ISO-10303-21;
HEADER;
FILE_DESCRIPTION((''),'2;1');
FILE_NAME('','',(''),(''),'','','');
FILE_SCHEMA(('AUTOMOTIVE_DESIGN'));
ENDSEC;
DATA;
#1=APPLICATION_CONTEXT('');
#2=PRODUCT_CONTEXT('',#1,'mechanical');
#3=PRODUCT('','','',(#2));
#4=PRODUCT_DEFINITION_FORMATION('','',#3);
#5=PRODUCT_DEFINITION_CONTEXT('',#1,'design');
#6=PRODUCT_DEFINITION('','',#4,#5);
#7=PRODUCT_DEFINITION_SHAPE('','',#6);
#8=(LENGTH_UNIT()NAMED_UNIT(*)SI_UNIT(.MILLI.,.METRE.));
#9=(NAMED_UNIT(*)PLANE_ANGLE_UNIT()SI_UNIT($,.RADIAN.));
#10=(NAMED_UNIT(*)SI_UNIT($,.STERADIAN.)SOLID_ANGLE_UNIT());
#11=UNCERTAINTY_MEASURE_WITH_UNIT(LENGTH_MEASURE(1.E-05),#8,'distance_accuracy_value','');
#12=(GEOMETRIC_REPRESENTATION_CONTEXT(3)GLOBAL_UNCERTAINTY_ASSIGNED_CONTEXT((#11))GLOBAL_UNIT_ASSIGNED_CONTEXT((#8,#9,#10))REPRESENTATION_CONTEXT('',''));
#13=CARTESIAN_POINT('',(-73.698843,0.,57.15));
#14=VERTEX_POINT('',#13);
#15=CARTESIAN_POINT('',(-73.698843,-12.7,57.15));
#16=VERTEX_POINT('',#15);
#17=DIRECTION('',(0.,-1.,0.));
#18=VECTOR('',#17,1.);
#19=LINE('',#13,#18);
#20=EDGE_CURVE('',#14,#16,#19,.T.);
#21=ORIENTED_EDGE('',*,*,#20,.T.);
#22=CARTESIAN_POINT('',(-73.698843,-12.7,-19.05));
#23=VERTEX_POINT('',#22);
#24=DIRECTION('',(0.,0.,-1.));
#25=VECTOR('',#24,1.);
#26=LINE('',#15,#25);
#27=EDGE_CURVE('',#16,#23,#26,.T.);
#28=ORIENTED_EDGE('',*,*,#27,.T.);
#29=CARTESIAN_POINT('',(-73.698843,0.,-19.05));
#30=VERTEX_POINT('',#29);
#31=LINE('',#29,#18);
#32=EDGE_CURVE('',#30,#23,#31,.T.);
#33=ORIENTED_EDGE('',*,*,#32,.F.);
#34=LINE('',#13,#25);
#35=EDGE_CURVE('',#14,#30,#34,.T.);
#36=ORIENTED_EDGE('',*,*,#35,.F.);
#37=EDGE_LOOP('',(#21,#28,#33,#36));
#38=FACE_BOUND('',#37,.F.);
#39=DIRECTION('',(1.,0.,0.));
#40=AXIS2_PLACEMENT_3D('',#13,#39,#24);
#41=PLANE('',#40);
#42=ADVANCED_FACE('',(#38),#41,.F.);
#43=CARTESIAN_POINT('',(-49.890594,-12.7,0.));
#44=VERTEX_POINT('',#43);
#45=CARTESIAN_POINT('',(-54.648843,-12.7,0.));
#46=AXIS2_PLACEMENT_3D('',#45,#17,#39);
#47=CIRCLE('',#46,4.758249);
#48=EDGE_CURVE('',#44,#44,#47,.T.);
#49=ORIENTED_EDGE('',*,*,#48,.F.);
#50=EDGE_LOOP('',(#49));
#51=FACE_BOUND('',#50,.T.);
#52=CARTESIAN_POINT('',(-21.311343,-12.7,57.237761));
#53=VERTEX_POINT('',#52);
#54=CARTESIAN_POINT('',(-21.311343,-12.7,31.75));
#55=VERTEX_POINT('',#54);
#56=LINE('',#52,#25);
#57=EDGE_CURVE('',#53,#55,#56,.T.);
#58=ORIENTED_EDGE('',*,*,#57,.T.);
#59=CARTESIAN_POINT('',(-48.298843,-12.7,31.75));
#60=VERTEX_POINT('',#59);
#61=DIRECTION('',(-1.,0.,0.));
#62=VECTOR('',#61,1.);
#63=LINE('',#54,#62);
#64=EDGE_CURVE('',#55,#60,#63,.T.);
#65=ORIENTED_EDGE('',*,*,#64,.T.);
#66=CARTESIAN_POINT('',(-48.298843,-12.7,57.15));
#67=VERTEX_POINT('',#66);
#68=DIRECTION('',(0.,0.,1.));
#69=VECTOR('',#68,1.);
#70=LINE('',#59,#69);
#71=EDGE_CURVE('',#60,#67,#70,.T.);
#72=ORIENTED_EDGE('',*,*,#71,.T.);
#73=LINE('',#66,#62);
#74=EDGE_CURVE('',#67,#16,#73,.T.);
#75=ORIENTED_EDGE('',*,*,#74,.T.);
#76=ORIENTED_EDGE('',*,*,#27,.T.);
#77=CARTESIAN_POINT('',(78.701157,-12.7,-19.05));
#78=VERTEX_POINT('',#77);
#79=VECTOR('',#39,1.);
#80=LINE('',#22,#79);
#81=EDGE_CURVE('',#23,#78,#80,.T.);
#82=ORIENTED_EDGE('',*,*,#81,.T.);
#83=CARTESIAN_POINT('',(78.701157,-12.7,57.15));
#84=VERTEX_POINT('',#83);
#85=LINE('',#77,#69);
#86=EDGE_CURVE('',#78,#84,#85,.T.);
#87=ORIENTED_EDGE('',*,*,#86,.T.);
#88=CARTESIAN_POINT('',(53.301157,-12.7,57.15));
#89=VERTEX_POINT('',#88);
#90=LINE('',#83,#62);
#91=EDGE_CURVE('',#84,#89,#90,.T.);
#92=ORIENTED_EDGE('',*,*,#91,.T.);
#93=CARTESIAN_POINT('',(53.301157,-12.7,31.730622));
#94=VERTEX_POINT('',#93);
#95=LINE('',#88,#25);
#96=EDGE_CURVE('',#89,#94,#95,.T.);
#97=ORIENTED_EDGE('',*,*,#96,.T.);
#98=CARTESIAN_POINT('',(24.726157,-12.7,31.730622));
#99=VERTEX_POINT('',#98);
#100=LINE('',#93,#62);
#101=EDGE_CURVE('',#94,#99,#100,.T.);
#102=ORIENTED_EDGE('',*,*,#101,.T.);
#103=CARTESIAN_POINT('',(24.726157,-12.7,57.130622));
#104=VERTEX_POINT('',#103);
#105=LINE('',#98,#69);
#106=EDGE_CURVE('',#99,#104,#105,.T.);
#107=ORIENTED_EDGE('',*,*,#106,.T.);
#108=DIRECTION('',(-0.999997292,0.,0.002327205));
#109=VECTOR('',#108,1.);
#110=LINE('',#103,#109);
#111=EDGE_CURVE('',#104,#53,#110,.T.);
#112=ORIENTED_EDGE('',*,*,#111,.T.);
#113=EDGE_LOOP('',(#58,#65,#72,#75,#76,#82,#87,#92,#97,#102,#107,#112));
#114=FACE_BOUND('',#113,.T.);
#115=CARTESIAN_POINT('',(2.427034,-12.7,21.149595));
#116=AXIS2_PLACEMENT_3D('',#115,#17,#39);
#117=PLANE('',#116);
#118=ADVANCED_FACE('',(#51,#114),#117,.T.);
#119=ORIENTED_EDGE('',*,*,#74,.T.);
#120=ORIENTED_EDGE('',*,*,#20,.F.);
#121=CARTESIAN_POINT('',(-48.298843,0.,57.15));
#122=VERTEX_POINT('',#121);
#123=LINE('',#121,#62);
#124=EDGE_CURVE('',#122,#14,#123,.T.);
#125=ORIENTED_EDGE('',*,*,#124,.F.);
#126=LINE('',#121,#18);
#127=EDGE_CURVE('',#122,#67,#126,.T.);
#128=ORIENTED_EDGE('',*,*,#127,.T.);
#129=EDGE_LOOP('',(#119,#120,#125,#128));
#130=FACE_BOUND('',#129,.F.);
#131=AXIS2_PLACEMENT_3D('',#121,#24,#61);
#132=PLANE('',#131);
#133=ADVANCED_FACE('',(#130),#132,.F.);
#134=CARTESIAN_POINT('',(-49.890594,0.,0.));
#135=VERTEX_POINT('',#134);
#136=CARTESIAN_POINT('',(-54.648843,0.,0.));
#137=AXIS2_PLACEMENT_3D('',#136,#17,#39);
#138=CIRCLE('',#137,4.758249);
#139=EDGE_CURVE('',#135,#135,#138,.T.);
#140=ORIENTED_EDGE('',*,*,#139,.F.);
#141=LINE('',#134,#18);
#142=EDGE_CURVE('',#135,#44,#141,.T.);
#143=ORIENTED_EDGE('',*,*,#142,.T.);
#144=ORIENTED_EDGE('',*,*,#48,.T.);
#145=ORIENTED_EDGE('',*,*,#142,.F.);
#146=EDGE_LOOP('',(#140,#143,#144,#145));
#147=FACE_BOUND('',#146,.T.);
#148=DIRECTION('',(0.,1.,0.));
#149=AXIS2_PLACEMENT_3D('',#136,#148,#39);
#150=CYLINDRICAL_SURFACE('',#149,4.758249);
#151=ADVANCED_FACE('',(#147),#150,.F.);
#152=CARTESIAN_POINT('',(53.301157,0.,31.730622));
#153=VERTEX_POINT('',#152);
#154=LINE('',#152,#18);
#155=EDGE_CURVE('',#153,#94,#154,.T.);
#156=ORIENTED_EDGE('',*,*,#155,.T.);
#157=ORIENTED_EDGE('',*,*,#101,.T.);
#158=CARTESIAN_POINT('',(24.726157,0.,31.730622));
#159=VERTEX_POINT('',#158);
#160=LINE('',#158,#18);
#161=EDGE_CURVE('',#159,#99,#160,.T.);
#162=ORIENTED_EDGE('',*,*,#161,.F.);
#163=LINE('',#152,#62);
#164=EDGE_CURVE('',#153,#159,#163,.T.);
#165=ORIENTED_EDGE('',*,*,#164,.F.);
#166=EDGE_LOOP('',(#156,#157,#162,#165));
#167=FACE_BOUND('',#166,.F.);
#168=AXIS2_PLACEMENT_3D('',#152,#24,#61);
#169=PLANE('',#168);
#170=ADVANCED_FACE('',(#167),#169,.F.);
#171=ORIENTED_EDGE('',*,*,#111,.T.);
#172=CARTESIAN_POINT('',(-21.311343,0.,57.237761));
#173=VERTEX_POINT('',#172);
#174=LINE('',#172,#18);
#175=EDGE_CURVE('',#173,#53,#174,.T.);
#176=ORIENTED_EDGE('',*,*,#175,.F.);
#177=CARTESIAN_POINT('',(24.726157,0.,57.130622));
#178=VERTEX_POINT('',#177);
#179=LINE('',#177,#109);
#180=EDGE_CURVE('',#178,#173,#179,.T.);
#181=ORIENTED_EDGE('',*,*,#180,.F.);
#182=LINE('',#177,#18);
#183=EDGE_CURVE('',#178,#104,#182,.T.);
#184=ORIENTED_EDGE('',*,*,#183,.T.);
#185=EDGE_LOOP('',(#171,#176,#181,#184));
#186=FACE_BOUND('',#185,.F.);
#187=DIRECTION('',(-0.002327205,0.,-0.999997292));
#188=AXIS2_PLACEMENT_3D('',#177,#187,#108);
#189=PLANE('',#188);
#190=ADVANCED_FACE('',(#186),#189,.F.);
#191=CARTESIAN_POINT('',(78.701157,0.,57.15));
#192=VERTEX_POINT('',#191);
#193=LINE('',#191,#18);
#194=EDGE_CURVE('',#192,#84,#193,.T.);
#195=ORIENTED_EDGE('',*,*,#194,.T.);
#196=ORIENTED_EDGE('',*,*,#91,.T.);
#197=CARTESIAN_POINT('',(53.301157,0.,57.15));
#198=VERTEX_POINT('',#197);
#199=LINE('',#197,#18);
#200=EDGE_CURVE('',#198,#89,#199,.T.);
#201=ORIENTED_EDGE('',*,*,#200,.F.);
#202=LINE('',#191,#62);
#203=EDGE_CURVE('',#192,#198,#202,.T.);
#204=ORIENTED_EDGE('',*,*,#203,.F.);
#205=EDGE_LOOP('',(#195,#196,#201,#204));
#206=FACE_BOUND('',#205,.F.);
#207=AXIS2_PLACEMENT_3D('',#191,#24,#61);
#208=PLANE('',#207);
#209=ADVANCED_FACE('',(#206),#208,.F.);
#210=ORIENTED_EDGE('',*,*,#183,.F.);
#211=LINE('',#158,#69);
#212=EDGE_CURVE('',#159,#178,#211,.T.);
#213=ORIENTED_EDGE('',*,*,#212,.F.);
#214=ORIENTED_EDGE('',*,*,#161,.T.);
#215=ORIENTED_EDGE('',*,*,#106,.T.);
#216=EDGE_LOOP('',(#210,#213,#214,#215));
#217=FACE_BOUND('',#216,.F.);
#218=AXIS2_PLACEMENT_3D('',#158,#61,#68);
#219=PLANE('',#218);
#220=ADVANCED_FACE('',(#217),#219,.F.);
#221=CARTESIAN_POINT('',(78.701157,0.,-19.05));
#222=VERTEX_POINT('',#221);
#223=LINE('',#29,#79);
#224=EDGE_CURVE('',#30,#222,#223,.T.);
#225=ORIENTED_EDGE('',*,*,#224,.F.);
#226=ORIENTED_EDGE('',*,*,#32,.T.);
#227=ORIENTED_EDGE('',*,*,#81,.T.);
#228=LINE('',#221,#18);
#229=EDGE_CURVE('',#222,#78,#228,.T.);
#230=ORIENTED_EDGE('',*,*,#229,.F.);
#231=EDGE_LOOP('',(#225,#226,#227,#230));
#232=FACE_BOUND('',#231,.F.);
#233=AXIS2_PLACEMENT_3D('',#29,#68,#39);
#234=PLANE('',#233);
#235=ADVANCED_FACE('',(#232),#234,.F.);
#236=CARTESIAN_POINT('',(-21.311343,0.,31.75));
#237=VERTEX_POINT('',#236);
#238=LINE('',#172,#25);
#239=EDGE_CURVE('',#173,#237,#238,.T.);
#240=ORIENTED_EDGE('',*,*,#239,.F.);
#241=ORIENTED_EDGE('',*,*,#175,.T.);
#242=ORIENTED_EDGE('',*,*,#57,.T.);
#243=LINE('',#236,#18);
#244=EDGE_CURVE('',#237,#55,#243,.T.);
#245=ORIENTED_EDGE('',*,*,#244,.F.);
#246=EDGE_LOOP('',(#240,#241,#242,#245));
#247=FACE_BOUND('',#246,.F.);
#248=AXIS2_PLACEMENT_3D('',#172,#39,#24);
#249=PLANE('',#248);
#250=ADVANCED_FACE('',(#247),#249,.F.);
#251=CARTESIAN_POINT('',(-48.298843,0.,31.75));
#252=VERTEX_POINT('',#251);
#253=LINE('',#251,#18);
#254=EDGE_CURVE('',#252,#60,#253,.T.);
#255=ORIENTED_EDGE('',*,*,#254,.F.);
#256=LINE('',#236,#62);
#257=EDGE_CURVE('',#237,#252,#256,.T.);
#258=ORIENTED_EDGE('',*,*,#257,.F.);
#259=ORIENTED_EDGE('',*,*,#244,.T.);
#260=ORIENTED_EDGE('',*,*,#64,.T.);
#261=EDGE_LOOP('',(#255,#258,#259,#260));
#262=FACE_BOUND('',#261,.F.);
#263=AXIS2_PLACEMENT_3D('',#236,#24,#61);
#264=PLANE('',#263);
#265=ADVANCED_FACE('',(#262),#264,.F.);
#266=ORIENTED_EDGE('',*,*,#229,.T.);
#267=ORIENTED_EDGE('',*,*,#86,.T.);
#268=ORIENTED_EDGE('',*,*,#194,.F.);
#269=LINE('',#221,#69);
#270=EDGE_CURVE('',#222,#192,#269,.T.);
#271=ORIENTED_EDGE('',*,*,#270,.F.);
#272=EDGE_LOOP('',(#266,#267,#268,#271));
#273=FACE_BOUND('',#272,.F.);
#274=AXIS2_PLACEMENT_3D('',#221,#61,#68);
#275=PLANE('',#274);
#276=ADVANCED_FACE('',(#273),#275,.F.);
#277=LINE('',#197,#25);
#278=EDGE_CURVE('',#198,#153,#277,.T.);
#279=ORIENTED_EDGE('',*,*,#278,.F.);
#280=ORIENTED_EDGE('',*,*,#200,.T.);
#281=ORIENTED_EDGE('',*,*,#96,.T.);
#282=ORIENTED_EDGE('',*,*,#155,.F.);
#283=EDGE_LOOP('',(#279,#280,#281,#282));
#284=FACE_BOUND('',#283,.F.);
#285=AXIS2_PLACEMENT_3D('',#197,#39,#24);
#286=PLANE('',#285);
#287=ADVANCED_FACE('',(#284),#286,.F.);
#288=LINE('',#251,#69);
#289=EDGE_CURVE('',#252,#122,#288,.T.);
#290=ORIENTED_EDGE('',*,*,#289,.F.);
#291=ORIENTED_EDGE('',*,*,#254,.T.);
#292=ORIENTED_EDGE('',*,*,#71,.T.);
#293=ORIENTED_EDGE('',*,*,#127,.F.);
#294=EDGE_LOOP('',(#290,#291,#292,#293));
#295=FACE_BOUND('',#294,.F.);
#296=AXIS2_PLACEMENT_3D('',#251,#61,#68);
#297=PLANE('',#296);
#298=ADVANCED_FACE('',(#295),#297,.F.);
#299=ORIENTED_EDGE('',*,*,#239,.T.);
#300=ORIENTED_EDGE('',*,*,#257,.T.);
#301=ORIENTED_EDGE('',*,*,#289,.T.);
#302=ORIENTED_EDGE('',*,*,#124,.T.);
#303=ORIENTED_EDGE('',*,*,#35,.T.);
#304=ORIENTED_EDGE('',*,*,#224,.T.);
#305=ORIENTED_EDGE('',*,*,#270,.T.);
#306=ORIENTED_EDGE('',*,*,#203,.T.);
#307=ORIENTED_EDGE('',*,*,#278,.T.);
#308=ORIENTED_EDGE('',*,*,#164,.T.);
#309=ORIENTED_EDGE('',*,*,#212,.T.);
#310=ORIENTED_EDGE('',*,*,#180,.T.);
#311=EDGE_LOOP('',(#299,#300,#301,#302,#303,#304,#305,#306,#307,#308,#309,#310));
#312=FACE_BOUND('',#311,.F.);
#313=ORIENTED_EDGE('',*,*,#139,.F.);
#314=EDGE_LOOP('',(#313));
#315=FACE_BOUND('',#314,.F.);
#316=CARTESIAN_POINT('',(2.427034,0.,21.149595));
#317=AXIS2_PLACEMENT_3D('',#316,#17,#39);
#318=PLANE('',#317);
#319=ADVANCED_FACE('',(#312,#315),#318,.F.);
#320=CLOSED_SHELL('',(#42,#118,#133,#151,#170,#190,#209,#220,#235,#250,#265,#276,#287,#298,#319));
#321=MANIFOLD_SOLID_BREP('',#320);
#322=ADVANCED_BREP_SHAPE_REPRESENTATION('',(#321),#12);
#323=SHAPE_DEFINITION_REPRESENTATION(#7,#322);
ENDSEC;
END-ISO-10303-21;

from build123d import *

# Parameters (mm, degrees)
F0_R     = 4.758249
F1_DEPTH = 12.7


with BuildPart() as f1:
    # F0 (on Front) → F1 (new body)
    with BuildSketch(Plane.XZ):
        Polygon((-48.298843, 57.15), (-73.698843, 57.15), (-73.698843, -19.05), (78.701157, -19.05), (78.701157, 57.15), (53.301157, 57.15), (53.301157, 31.730622), (24.726157, 31.730622), (24.726157, 57.130622), (-21.311343, 57.237761), (-21.311343, 31.75), (-48.298843, 31.75), align=None)
        with Locations((-54.648843, 0)):
            Circle(F0_R, mode=Mode.SUBTRACT)
    extrude(amount=F1_DEPTH)


solid = f1.part
